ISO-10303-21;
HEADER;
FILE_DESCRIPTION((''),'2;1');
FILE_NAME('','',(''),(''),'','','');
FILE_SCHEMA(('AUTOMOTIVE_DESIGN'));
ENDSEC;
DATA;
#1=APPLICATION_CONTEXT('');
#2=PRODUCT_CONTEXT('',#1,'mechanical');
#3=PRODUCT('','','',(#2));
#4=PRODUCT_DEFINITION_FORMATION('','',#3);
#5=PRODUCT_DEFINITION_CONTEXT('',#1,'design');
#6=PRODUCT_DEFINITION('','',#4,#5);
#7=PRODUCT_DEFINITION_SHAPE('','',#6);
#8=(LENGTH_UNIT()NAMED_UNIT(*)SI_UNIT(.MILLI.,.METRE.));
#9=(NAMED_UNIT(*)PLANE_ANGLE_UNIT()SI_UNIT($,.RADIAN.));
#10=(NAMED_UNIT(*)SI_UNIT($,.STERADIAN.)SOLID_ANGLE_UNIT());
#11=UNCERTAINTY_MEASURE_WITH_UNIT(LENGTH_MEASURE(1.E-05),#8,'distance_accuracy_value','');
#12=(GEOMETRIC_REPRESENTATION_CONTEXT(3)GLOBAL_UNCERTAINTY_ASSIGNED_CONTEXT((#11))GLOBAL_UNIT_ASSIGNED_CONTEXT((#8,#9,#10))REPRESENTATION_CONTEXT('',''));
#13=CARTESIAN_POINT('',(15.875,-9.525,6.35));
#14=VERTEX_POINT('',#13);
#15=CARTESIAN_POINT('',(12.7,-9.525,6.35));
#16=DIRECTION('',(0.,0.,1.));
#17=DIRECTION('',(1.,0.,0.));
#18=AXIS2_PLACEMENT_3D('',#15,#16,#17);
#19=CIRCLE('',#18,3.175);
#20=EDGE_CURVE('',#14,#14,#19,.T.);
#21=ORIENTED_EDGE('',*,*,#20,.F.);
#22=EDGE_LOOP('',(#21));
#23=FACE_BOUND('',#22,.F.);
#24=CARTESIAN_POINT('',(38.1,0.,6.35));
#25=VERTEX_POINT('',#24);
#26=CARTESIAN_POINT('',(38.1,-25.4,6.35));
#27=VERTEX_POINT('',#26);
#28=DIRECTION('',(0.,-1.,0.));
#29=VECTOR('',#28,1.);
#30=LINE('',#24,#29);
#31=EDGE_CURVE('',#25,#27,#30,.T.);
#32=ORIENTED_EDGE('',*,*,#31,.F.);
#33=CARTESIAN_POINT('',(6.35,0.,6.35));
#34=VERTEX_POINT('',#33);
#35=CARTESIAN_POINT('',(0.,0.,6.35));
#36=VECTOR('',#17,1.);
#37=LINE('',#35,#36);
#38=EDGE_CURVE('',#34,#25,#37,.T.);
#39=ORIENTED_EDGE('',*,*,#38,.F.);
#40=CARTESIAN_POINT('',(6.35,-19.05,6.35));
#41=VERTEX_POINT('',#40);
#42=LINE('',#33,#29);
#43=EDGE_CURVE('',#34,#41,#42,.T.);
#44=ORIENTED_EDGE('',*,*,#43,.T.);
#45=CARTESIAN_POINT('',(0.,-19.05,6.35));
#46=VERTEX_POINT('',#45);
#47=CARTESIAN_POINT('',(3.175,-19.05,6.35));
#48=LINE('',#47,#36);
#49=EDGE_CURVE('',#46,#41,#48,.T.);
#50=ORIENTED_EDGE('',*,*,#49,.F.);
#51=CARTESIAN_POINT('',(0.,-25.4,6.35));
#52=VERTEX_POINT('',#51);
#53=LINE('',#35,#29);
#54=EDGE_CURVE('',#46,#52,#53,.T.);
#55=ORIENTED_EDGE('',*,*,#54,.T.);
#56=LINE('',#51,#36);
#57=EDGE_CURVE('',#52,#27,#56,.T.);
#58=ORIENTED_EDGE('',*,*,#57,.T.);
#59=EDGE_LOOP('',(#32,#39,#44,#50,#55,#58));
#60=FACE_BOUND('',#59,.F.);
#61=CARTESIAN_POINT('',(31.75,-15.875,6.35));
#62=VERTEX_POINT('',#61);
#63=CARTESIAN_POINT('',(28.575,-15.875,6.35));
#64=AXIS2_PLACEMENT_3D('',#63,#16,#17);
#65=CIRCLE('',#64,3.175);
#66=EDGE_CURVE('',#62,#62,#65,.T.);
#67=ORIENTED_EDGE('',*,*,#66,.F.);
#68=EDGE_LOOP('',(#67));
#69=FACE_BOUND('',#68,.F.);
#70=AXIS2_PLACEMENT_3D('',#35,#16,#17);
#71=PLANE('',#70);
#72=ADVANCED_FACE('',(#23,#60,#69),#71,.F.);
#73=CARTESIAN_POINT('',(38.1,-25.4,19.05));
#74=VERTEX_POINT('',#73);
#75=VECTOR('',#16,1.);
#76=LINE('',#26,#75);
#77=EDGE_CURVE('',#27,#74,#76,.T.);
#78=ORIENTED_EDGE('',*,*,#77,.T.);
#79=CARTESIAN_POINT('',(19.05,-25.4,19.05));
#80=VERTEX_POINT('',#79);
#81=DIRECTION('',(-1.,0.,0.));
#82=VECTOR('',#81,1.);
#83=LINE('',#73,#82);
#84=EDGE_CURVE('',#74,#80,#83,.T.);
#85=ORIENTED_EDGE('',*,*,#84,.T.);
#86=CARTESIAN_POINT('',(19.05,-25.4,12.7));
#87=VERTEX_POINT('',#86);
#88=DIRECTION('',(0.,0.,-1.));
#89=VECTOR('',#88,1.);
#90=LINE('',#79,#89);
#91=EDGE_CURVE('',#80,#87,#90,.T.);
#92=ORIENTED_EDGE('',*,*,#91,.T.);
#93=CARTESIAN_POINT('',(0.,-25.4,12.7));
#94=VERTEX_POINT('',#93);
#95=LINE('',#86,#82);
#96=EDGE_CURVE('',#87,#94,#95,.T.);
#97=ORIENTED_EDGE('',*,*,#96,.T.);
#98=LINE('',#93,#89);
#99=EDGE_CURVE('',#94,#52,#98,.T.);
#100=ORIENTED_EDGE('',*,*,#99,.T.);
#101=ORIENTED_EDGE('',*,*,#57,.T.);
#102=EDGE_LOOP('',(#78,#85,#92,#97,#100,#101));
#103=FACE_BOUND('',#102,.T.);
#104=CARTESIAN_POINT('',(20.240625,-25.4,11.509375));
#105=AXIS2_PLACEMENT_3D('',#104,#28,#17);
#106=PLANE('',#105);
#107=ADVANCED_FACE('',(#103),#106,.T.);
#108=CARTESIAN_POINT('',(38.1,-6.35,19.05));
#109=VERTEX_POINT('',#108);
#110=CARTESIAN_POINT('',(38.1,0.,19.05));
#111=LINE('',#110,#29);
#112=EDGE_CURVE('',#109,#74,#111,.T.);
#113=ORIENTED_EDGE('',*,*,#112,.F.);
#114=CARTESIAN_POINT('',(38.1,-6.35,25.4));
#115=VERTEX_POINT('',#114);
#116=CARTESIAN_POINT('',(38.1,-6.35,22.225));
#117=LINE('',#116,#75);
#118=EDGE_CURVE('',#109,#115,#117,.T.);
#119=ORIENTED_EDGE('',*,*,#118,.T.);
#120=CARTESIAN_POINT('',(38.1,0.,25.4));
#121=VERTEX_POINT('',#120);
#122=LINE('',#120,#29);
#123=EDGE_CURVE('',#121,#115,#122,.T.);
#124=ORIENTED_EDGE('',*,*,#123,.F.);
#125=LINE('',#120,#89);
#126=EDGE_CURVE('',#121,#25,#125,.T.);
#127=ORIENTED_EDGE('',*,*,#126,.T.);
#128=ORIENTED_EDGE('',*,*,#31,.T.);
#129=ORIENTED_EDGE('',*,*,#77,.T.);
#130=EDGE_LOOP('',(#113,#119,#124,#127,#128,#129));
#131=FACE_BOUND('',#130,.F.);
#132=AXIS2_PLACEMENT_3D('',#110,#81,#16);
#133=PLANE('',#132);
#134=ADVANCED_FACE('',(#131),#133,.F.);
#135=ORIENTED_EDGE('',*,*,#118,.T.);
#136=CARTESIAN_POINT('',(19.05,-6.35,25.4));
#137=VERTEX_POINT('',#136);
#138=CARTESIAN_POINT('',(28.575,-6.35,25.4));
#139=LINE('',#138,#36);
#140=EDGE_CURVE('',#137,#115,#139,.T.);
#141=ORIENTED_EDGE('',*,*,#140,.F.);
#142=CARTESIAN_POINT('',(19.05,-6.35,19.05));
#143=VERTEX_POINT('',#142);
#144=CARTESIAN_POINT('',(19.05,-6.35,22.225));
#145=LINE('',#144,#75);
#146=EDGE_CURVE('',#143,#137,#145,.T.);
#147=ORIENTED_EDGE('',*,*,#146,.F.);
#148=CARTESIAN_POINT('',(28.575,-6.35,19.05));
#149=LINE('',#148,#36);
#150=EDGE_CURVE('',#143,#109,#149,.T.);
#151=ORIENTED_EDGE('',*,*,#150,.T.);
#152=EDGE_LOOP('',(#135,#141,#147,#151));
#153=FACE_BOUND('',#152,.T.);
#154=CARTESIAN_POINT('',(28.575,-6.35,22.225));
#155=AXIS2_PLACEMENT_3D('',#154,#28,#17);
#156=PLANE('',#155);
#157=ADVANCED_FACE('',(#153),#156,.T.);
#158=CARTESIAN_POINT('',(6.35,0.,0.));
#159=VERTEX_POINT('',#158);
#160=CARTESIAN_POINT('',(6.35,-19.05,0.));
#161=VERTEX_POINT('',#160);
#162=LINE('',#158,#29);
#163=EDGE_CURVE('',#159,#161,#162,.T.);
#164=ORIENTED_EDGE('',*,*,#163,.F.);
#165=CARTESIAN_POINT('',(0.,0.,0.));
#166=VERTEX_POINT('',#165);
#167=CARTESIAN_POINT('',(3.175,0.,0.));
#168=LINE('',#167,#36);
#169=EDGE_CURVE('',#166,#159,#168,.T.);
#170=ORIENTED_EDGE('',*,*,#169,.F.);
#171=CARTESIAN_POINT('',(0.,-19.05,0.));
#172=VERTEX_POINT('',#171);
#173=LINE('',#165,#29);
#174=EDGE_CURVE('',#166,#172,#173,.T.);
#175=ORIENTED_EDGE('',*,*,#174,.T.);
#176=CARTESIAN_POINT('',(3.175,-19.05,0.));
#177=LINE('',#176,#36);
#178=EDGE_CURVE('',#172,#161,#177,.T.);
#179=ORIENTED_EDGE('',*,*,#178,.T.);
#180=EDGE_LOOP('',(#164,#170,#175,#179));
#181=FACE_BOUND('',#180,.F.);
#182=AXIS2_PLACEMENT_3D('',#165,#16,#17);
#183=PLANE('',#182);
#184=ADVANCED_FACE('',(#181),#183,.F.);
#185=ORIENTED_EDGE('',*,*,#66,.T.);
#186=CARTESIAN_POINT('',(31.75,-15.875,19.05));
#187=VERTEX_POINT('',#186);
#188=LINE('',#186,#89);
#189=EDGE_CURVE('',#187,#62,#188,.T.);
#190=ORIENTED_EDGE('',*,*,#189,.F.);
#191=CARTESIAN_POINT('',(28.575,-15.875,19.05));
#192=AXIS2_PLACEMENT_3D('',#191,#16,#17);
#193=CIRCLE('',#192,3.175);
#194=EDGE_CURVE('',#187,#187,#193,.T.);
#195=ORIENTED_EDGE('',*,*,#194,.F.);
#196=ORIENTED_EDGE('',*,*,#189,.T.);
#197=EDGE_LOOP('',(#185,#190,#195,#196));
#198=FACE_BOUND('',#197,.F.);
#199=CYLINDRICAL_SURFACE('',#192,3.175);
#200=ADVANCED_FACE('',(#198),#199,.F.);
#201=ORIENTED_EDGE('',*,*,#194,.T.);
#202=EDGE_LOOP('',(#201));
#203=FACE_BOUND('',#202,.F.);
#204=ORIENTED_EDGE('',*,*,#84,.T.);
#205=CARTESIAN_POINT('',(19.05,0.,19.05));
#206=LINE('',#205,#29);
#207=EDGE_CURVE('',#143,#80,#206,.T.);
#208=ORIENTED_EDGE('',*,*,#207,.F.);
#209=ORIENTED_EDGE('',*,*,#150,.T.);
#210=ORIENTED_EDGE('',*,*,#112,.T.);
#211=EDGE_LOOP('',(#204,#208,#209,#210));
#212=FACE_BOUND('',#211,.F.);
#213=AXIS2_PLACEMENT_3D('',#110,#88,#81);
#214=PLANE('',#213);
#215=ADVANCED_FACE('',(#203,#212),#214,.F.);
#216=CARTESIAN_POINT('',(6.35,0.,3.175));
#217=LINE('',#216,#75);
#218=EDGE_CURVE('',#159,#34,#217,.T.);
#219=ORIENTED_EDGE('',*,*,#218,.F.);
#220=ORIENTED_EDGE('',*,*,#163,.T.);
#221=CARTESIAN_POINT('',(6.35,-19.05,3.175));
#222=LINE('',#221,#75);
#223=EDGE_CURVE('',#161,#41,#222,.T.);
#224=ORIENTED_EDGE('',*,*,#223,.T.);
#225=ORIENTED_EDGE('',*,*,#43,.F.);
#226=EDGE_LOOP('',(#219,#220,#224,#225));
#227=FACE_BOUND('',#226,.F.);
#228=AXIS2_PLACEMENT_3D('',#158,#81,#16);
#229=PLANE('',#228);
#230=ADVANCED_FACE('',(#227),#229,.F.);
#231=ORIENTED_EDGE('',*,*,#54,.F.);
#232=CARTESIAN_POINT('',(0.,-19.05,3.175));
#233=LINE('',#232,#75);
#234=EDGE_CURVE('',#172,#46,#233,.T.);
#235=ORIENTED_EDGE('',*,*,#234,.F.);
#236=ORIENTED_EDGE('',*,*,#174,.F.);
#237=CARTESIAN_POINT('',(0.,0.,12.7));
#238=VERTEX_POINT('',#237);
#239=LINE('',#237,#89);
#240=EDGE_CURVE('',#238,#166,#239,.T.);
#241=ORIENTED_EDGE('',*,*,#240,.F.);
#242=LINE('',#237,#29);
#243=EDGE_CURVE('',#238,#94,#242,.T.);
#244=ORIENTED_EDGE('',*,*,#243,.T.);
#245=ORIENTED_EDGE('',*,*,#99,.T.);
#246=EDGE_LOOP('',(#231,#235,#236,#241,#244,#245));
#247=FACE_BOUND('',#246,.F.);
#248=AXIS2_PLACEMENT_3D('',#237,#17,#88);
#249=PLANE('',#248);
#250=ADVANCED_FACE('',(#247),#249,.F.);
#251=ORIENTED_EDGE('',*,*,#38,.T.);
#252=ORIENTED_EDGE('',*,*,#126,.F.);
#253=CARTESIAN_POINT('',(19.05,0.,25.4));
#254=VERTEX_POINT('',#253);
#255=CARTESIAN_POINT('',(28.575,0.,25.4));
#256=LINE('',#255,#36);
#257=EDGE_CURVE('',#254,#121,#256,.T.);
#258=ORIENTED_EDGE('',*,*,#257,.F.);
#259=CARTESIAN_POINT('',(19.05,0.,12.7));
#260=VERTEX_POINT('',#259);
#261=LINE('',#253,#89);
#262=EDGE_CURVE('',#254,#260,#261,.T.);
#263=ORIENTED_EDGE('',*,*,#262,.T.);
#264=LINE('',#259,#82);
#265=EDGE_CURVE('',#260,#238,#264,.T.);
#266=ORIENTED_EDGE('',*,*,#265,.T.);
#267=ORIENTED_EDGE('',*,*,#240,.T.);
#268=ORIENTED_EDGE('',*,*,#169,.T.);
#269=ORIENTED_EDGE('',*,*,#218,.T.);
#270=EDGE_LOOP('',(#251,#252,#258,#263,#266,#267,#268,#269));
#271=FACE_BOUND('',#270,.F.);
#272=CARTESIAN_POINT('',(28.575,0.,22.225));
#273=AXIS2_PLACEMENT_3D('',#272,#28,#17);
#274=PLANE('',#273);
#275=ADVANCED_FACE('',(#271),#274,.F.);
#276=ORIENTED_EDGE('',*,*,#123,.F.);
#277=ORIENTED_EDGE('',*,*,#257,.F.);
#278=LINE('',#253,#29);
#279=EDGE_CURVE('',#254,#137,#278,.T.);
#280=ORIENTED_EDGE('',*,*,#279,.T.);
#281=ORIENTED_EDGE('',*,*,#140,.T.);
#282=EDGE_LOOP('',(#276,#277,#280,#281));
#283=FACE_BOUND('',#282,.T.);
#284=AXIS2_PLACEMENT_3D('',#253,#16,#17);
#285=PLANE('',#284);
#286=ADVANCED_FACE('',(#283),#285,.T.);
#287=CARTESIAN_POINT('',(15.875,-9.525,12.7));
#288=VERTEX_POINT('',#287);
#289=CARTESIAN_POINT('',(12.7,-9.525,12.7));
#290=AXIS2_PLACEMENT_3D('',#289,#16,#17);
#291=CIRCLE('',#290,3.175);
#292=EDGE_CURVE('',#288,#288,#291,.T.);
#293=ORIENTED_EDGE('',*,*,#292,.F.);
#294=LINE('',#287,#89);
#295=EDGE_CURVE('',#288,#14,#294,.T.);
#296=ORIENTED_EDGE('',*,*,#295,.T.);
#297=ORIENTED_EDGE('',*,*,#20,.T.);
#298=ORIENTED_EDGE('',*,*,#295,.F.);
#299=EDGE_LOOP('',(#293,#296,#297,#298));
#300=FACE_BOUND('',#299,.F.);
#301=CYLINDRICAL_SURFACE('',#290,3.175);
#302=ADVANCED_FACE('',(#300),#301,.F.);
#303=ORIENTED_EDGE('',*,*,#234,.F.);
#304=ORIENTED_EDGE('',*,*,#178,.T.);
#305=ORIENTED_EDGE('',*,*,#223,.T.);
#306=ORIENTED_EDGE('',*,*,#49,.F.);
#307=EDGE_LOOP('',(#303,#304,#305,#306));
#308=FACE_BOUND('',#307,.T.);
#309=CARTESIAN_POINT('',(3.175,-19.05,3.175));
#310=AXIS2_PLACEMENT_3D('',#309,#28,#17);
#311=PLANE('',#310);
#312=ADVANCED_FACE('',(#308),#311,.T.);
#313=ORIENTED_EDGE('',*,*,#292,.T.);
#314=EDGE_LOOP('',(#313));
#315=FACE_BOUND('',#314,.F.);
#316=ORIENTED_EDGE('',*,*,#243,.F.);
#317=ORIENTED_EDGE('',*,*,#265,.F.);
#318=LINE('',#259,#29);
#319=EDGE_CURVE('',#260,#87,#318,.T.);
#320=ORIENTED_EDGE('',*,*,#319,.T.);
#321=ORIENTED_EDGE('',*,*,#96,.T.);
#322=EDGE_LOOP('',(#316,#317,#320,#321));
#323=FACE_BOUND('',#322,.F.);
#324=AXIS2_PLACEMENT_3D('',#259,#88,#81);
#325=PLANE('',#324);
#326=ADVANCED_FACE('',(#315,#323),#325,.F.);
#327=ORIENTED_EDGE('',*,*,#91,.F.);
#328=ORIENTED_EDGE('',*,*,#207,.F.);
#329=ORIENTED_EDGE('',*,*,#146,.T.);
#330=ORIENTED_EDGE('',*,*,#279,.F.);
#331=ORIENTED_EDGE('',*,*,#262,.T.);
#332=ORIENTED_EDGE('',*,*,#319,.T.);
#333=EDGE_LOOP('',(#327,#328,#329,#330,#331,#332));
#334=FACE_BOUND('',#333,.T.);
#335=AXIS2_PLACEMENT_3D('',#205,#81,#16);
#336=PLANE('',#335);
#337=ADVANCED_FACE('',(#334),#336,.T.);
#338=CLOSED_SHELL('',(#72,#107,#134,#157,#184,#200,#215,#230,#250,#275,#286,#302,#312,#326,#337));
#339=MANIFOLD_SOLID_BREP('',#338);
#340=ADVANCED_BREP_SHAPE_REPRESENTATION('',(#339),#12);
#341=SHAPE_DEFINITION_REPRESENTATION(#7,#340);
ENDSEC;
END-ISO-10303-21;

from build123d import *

# Parameters (mm, degrees)
F0_W     = 6.35
F0_H     = 6.35
F1_DEPTH = 19.05
F2_DEPTH = 25.4
F0_W_2   = 19.05
F3_DEPTH = 6.35
F4_R     = 3.175
F5_DEPTH = 25.4
F6_R     = 3.175
F7_DEPTH = 25.4


with BuildPart() as f1:
    # F0 (on Front) → F1 (new body)
    with BuildSketch(Plane.XZ):
        with Locations((3.175, 3.175)):
            Rectangle(F0_W, F0_H)
    extrude(amount=F1_DEPTH)

    # F0 (on Front) → F2 (join)
    with BuildSketch(Plane.XZ):
        Polygon((0, 12.7), (0, 6.35), (6.35, 6.35), (38.1, 6.35), (38.1, 19.05), (19.05, 19.05), (19.05, 12.7), align=None)
    extrude(amount=F2_DEPTH)

    # F0 (on Front) → F3 (join)
    with BuildSketch(Plane.XZ):
        with Locations((28.575, 22.225)):
            Rectangle(F0_W_2, F0_H)
    extrude(amount=F3_DEPTH)

    # F4 (on face) → F5 (cut)
    with BuildSketch(Plane.XY.offset(12.7)):
        with Locations((12.7, -9.525)):
            Circle(F4_R)
    extrude(amount=-F5_DEPTH, mode=Mode.SUBTRACT)

    # F6 (on face) → F7 (cut)
    with BuildSketch(Plane.XY.offset(19.05)):
        with Locations((28.575, -15.875)):
            Circle(F6_R)
    extrude(amount=-F7_DEPTH, mode=Mode.SUBTRACT)


solid = f1.part
